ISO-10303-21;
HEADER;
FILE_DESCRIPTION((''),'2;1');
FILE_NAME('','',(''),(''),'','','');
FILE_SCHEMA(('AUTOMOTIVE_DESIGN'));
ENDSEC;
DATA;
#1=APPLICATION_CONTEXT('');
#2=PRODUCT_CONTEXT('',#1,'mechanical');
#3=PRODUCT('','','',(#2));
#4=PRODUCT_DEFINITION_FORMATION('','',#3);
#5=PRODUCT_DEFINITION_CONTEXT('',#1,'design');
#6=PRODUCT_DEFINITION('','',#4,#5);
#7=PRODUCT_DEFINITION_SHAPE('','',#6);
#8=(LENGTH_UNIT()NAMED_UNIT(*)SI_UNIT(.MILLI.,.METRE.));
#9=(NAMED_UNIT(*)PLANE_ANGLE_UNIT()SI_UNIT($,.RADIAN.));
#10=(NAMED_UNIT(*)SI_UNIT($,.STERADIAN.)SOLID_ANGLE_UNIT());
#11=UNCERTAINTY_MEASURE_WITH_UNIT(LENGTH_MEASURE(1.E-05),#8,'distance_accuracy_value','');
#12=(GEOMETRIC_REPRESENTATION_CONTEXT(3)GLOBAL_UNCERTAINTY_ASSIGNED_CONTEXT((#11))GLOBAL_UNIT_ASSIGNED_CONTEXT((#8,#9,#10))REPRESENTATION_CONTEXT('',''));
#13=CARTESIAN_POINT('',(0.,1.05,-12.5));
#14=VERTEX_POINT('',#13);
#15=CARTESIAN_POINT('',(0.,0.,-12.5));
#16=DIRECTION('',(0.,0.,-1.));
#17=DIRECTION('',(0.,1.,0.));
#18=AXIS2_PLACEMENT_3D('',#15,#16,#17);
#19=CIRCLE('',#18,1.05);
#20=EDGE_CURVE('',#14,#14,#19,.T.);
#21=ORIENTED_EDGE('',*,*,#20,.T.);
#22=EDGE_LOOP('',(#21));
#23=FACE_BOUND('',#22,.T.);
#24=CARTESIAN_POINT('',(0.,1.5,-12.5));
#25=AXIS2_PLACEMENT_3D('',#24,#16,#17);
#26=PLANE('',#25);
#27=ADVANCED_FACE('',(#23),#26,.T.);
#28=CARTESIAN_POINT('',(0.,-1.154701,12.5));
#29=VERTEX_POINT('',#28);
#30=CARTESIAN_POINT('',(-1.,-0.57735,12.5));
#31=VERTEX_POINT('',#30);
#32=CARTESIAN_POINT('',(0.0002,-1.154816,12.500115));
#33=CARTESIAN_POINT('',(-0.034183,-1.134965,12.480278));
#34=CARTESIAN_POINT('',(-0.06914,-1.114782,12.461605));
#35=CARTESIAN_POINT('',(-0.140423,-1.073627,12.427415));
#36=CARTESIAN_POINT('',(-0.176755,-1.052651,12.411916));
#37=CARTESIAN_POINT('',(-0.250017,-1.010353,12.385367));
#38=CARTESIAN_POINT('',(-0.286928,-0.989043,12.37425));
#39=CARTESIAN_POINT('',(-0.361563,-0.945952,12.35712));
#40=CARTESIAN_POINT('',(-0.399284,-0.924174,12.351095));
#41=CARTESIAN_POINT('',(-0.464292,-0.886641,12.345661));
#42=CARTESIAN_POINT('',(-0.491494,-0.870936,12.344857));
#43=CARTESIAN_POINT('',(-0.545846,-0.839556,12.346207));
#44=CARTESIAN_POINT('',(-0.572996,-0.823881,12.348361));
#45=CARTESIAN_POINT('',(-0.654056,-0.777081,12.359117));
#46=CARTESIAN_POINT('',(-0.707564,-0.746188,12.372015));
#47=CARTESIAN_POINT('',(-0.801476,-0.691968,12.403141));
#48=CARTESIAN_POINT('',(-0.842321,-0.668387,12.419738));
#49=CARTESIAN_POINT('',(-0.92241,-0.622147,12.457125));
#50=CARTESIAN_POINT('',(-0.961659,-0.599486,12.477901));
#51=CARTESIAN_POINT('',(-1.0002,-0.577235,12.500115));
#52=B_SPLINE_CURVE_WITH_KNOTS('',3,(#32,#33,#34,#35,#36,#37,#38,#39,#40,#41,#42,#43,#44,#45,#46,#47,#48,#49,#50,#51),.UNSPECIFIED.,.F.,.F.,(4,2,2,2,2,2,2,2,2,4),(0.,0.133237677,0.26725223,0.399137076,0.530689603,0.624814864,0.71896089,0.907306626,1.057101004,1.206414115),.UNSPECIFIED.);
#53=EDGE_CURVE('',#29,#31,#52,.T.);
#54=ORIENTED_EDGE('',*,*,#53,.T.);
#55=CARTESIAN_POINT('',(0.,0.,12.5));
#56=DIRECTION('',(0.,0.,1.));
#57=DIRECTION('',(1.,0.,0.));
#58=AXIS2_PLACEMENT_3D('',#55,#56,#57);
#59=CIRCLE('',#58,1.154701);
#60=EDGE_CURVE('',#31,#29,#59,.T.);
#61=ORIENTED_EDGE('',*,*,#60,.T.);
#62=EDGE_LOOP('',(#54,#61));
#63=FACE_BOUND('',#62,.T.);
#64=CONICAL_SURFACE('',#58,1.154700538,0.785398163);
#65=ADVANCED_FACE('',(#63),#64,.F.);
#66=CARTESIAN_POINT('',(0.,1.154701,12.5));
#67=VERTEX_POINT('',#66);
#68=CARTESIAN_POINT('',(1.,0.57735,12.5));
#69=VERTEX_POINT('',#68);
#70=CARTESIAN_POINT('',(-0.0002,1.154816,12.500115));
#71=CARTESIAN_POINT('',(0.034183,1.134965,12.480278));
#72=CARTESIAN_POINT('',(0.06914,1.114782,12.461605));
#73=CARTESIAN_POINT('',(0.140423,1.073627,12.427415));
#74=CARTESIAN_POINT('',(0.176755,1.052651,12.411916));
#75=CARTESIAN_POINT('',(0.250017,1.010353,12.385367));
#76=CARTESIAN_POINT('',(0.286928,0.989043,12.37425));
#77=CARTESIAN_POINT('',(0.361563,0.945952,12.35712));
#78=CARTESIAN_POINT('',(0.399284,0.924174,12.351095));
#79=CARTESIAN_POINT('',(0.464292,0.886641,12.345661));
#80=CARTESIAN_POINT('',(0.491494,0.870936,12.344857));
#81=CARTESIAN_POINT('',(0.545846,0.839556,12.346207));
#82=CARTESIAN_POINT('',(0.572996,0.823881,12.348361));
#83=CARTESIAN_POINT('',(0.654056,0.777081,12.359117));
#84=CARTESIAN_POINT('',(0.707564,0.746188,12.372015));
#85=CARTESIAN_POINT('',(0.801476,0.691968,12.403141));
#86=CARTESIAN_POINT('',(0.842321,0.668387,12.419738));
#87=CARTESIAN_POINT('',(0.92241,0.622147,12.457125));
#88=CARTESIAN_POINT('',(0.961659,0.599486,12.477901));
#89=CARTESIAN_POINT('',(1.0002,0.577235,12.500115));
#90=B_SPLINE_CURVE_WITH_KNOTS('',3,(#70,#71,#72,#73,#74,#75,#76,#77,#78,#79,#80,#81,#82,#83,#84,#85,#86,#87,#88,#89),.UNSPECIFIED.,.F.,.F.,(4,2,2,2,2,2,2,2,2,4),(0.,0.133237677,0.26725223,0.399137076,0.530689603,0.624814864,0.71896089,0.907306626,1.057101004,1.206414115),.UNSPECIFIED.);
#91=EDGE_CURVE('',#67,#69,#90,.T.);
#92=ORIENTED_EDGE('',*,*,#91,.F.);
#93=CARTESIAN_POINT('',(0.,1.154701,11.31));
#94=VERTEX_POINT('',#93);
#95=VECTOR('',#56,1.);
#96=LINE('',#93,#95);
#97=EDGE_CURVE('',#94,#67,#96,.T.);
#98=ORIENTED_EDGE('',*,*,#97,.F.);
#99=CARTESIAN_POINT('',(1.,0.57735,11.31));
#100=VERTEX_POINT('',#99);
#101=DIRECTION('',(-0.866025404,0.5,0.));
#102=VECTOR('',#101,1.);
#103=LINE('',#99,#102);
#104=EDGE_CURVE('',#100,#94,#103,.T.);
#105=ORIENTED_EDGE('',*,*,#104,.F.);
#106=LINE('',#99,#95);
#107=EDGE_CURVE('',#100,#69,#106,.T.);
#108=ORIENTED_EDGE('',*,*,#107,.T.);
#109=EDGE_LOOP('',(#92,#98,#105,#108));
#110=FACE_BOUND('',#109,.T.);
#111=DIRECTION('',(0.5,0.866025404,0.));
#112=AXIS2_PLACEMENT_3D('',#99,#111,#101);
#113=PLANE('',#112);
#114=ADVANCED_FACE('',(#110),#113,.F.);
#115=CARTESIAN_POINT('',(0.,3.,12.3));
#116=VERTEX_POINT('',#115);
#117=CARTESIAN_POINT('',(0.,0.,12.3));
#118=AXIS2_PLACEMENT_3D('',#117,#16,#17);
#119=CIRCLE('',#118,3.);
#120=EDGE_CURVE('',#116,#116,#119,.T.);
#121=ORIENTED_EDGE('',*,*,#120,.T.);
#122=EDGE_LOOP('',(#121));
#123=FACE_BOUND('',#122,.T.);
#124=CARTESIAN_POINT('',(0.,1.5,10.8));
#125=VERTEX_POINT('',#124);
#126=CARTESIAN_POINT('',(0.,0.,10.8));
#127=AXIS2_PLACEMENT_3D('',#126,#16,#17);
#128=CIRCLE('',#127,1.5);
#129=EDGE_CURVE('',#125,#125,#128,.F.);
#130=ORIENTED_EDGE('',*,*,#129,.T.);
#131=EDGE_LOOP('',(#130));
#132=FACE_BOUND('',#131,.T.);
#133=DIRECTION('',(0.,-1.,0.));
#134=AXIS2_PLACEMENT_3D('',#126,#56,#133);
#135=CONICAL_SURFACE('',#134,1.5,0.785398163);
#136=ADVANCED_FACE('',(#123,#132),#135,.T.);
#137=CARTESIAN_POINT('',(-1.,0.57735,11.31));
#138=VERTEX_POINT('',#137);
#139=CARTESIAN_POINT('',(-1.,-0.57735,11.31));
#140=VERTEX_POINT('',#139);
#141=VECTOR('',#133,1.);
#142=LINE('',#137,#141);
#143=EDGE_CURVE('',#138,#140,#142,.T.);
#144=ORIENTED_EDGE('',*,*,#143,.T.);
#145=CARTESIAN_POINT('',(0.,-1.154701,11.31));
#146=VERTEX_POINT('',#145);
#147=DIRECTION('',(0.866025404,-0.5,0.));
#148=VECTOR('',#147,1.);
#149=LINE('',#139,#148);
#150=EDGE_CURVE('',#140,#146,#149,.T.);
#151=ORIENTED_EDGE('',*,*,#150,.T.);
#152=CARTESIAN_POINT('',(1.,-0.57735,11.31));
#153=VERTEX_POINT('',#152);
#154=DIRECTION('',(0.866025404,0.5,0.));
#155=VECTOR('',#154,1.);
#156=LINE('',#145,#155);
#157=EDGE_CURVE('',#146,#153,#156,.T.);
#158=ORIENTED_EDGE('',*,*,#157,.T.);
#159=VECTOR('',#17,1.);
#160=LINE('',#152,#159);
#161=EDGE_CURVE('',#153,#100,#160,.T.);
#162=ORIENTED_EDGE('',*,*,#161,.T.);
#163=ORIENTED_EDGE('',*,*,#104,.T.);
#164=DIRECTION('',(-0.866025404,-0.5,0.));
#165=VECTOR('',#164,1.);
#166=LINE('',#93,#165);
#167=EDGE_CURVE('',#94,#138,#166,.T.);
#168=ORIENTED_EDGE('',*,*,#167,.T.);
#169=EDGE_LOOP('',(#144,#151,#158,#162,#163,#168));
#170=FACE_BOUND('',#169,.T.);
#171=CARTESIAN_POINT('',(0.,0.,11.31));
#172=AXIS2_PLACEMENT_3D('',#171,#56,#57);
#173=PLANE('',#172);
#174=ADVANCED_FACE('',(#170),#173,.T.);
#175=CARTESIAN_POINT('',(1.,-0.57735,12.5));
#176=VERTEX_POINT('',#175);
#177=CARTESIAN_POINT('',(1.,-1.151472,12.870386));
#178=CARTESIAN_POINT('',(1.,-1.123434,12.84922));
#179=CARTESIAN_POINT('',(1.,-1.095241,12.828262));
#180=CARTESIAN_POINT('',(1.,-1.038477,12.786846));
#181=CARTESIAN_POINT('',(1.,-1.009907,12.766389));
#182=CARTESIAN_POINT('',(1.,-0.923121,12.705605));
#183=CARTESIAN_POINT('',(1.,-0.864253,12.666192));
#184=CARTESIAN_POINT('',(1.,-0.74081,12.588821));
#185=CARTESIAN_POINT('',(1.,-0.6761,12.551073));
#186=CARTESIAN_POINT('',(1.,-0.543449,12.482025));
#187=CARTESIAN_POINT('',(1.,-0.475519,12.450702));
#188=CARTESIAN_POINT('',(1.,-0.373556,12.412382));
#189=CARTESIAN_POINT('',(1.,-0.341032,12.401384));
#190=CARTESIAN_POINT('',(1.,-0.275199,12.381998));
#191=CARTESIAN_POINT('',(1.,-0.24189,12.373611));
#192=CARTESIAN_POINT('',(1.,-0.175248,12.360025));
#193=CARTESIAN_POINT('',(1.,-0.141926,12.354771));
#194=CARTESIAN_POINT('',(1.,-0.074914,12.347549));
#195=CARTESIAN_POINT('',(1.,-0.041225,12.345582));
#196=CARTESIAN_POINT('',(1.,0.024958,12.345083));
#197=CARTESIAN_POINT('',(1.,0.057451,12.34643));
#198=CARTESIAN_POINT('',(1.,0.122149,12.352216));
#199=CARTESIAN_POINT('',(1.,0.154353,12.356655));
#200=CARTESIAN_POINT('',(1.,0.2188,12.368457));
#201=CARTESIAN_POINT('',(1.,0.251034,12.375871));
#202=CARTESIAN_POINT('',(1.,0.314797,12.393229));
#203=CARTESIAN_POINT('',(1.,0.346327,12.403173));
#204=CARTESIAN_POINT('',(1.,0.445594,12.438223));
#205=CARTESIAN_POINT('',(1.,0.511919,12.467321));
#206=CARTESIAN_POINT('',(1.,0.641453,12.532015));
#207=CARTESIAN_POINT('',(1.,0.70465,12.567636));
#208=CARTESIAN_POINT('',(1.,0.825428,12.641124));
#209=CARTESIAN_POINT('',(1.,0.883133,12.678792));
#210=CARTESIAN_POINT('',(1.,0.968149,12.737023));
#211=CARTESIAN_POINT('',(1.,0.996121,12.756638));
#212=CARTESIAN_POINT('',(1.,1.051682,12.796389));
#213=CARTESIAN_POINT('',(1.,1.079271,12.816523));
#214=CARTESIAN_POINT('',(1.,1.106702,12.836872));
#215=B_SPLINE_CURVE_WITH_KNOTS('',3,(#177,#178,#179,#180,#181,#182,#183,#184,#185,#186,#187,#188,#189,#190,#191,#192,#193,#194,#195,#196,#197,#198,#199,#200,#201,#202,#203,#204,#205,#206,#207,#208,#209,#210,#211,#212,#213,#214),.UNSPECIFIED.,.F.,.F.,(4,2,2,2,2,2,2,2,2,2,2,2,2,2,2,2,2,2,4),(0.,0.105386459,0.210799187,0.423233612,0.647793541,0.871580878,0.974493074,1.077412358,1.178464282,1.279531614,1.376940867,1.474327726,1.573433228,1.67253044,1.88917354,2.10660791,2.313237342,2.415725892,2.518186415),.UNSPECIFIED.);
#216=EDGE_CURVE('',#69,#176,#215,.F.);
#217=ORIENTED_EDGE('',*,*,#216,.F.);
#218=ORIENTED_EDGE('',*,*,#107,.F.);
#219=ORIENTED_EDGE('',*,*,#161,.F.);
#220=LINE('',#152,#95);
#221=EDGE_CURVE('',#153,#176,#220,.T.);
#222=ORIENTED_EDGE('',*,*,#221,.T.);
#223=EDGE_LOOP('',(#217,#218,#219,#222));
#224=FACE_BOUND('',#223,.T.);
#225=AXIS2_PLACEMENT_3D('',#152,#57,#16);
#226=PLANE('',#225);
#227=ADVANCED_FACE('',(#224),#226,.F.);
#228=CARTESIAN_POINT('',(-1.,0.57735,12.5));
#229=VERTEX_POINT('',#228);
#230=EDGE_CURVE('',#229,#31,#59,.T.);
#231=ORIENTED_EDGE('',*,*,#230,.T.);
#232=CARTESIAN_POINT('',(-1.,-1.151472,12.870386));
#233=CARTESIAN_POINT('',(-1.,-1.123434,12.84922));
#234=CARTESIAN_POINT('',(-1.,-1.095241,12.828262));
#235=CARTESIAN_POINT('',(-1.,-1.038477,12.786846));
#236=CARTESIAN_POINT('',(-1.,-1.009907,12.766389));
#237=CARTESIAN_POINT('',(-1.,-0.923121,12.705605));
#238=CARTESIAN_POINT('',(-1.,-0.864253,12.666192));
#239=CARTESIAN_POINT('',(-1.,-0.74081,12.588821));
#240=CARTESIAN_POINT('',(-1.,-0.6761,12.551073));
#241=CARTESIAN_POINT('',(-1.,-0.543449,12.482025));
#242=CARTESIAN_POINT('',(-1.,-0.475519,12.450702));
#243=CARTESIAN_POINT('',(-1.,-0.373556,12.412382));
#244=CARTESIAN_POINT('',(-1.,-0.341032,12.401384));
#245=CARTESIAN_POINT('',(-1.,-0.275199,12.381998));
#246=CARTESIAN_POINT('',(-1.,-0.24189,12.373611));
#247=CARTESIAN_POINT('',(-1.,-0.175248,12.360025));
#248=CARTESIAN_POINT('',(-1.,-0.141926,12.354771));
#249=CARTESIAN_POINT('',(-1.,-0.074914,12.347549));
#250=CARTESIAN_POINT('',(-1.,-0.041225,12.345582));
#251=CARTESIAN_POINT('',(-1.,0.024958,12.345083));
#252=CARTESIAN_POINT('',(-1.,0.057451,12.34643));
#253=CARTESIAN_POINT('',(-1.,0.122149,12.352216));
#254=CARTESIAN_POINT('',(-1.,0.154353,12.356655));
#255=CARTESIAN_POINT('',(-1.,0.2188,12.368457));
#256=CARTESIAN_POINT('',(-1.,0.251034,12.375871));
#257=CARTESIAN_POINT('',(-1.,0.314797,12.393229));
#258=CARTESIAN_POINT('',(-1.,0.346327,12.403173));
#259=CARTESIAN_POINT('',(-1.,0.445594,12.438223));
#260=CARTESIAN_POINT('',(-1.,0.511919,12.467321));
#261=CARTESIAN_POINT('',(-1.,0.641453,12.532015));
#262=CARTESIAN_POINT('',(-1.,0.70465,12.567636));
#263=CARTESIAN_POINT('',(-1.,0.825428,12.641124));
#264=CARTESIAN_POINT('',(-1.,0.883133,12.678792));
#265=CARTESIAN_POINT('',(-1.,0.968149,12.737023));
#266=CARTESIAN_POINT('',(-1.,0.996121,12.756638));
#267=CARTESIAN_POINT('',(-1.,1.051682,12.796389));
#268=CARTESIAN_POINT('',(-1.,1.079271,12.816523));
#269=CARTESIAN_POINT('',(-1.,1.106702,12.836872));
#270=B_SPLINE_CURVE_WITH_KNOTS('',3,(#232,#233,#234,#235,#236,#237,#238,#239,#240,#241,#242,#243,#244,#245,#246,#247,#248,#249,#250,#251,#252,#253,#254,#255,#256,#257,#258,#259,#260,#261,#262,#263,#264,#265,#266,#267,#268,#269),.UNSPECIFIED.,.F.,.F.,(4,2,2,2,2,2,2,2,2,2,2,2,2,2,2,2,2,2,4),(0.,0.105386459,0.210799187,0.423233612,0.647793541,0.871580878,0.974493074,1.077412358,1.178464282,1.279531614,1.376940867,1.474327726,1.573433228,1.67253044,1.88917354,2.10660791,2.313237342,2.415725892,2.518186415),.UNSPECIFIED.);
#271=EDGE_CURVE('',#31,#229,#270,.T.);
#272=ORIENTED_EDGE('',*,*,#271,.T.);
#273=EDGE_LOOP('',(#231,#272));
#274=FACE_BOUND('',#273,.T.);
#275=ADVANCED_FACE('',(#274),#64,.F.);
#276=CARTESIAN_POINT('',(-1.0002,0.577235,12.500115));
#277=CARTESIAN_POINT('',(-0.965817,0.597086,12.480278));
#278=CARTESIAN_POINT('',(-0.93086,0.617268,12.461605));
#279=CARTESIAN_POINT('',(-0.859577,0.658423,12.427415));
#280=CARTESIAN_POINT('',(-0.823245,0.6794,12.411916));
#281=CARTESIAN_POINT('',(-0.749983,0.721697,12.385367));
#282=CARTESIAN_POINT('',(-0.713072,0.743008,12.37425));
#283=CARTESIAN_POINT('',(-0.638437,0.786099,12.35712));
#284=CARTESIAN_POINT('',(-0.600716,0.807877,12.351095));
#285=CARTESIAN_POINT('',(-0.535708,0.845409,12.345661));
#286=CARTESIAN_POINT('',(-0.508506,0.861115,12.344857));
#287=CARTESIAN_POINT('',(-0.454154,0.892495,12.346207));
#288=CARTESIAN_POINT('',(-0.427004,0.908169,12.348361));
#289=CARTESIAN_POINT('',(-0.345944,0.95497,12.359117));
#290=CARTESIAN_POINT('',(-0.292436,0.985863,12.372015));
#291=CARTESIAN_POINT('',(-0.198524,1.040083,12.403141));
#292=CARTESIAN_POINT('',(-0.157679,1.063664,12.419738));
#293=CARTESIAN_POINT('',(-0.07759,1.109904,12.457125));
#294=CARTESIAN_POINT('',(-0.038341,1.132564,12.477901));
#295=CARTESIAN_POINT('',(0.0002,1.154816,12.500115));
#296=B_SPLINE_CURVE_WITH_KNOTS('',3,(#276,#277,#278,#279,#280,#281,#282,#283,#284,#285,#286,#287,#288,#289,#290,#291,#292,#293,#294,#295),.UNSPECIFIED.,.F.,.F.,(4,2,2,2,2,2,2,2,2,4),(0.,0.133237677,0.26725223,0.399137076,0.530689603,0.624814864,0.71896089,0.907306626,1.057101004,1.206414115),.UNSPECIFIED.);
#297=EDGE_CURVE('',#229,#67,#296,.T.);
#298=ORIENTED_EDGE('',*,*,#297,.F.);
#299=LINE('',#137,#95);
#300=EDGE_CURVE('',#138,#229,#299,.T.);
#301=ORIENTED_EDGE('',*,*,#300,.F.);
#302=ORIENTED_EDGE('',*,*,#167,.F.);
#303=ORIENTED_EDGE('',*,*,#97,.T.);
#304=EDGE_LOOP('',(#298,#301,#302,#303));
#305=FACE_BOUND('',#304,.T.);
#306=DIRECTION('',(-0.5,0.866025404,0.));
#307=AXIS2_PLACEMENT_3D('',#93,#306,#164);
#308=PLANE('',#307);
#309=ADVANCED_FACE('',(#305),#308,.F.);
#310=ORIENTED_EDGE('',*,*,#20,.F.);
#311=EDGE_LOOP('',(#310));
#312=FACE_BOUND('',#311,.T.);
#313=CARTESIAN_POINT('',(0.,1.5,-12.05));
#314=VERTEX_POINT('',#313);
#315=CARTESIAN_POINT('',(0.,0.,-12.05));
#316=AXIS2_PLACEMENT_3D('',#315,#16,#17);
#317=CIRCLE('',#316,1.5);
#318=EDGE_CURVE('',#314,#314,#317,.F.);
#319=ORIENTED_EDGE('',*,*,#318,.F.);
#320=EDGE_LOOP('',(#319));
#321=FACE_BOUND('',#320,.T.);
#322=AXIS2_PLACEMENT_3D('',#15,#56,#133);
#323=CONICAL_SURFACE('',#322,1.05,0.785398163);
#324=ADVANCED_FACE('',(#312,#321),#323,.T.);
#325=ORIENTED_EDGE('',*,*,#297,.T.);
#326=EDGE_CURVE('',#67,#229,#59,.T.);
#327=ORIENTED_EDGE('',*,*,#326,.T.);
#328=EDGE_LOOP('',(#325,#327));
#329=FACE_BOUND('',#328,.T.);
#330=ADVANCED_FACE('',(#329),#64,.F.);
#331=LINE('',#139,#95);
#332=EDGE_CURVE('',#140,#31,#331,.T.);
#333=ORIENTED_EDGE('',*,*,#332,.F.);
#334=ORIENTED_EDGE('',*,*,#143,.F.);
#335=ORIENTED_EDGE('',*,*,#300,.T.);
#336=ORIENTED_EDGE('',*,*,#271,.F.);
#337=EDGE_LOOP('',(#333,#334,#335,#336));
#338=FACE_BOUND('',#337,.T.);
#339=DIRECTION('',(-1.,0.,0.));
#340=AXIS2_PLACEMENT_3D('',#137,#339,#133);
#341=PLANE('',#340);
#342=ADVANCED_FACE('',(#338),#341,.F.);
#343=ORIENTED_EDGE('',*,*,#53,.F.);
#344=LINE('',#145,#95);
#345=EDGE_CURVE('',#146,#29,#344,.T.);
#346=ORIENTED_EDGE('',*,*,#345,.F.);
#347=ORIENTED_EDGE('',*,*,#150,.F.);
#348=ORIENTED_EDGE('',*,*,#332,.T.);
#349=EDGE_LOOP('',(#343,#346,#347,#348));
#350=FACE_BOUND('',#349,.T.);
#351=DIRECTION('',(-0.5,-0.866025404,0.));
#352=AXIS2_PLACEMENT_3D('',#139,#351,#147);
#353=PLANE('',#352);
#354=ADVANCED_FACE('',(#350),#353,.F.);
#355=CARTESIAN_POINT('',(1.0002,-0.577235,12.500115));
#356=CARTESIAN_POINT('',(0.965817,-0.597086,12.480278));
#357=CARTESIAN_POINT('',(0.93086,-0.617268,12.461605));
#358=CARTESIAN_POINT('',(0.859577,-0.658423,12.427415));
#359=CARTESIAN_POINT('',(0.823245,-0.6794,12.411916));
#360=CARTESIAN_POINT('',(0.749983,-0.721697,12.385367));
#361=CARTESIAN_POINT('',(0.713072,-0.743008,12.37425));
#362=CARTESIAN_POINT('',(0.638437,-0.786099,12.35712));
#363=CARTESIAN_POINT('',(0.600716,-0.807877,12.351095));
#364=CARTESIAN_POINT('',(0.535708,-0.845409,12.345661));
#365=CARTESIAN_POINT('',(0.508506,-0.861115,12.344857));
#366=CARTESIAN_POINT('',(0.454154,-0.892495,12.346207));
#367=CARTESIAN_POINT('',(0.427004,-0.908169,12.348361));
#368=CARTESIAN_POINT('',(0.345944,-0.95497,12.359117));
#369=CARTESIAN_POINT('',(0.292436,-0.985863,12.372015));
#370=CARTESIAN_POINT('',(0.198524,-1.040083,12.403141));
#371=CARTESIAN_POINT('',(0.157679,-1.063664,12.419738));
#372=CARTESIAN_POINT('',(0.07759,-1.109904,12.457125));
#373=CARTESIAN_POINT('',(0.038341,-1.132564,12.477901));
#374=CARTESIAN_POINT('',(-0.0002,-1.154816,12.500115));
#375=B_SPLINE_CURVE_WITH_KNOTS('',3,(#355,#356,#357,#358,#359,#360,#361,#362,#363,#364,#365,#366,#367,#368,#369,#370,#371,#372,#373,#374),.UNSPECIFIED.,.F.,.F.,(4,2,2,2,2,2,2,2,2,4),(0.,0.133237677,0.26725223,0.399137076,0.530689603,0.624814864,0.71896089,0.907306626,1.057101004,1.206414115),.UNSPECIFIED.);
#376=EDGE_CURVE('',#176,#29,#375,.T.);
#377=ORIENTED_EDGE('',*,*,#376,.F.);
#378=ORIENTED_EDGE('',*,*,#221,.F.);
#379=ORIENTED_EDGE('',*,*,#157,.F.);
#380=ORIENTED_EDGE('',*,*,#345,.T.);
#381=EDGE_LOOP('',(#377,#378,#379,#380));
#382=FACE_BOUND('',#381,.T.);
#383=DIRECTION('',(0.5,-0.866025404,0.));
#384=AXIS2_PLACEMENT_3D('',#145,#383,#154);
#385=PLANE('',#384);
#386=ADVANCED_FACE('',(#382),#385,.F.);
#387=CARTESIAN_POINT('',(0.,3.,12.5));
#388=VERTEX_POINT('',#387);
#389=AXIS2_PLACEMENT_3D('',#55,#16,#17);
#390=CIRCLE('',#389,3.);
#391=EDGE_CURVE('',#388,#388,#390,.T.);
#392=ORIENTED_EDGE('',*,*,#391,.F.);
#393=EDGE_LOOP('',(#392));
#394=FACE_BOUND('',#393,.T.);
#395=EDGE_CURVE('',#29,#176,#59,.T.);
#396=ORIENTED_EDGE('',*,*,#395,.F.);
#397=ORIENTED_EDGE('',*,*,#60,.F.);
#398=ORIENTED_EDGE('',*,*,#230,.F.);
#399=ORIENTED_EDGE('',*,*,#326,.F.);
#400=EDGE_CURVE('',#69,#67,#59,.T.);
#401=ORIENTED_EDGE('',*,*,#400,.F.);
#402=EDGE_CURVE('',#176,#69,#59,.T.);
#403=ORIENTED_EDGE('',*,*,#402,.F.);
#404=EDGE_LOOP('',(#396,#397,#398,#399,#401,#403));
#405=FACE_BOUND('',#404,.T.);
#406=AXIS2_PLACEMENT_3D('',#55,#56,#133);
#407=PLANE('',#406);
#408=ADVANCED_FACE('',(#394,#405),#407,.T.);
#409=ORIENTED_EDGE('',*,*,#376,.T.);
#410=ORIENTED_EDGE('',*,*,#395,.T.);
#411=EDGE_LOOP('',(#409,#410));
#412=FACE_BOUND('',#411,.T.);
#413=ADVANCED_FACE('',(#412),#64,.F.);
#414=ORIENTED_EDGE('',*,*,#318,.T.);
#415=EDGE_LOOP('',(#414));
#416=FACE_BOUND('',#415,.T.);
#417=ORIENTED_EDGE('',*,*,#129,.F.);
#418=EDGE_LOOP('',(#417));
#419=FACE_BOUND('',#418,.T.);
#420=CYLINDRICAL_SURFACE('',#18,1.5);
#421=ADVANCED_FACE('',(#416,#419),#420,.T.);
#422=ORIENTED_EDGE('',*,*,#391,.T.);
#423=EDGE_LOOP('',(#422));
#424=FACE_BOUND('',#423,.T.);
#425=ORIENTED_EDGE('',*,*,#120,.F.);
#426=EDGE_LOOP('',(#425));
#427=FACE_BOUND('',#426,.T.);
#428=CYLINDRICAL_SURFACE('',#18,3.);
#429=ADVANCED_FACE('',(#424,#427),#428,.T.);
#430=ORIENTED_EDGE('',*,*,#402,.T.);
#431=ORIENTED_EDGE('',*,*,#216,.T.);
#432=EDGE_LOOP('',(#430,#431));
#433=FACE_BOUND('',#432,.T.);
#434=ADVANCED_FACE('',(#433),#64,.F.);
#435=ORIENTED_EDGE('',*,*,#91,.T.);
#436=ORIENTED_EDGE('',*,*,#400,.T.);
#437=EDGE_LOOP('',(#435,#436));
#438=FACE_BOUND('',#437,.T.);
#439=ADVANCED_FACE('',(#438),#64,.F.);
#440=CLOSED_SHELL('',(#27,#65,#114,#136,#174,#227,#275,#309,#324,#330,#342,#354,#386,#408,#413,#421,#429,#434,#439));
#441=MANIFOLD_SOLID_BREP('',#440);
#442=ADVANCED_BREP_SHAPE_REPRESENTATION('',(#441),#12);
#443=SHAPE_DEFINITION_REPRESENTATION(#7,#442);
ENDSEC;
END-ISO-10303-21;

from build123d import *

# Parameters (mm, degrees)
SKETCH3_W          = 25
SKETCH3_H          = 1.5
CHAMFER1_SIZE      = 0.45
CUT_EXTRUDE1_DEPTH = 1.19


with BuildPart() as part:
    # Sketch3 → Revolve1 (revolve)
    with BuildSketch(Plane(origin=(0, 0, 0), x_dir=(0, 0, -1), z_dir=(1, 0, 0))):
        with Locations((0, 0.75)):
            Rectangle(SKETCH3_W, SKETCH3_H)
    revolve(axis=Axis((0, 0, -12.5), (0, 0, 1)))

    # Chamfer1
    chamfer1_edges = [part.edges().sort_by_distance(p)[0] for p in [
        (0, -1.5, -12.5),
    ]]
    chamfer(chamfer1_edges, length=CHAMFER1_SIZE)

    # Sketch6 → Revolve2 (revolve)
    with BuildSketch(Plane(origin=(0, 0, 0), x_dir=(0, 0, -1), z_dir=(1, 0, 0))):
        Polygon((-12.5, 3), (-12.3, 3), (-10.8, 1.5), (-10.8, 0), (-12.5, 0), align=None)
    revolve(axis=Axis((0, 0, -12.5), (0, 0, 1)))

    # Sketch8 → Cut-Extrude1 (cut)
    with BuildSketch(Plane.XY.offset(12.5)):
        Polygon((0, 1.154700538), (-1, 0.577350269), (-1, -0.577350269), (0, -1.154700538), (1, -0.577350269), (1, 0.577350269), align=None)
    extrude(amount=-CUT_EXTRUDE1_DEPTH, mode=Mode.SUBTRACT)

    # Cut-Extrude2 cone 1 section (through the dimple's axis) → Cut-Extrude2 (revolve, cut)
    with BuildSketch(Plane(origin=(0, 0, 12.5), x_dir=(0, -1, 0), z_dir=(1, 0, 0))):
        Polygon((0, 0), (1.154700538, 0), (0, 1.154700538), align=None)
    revolve(axis=Axis((0, 0, 12.5), (0, 0, -1)), mode=Mode.SUBTRACT)


solid = part.part
